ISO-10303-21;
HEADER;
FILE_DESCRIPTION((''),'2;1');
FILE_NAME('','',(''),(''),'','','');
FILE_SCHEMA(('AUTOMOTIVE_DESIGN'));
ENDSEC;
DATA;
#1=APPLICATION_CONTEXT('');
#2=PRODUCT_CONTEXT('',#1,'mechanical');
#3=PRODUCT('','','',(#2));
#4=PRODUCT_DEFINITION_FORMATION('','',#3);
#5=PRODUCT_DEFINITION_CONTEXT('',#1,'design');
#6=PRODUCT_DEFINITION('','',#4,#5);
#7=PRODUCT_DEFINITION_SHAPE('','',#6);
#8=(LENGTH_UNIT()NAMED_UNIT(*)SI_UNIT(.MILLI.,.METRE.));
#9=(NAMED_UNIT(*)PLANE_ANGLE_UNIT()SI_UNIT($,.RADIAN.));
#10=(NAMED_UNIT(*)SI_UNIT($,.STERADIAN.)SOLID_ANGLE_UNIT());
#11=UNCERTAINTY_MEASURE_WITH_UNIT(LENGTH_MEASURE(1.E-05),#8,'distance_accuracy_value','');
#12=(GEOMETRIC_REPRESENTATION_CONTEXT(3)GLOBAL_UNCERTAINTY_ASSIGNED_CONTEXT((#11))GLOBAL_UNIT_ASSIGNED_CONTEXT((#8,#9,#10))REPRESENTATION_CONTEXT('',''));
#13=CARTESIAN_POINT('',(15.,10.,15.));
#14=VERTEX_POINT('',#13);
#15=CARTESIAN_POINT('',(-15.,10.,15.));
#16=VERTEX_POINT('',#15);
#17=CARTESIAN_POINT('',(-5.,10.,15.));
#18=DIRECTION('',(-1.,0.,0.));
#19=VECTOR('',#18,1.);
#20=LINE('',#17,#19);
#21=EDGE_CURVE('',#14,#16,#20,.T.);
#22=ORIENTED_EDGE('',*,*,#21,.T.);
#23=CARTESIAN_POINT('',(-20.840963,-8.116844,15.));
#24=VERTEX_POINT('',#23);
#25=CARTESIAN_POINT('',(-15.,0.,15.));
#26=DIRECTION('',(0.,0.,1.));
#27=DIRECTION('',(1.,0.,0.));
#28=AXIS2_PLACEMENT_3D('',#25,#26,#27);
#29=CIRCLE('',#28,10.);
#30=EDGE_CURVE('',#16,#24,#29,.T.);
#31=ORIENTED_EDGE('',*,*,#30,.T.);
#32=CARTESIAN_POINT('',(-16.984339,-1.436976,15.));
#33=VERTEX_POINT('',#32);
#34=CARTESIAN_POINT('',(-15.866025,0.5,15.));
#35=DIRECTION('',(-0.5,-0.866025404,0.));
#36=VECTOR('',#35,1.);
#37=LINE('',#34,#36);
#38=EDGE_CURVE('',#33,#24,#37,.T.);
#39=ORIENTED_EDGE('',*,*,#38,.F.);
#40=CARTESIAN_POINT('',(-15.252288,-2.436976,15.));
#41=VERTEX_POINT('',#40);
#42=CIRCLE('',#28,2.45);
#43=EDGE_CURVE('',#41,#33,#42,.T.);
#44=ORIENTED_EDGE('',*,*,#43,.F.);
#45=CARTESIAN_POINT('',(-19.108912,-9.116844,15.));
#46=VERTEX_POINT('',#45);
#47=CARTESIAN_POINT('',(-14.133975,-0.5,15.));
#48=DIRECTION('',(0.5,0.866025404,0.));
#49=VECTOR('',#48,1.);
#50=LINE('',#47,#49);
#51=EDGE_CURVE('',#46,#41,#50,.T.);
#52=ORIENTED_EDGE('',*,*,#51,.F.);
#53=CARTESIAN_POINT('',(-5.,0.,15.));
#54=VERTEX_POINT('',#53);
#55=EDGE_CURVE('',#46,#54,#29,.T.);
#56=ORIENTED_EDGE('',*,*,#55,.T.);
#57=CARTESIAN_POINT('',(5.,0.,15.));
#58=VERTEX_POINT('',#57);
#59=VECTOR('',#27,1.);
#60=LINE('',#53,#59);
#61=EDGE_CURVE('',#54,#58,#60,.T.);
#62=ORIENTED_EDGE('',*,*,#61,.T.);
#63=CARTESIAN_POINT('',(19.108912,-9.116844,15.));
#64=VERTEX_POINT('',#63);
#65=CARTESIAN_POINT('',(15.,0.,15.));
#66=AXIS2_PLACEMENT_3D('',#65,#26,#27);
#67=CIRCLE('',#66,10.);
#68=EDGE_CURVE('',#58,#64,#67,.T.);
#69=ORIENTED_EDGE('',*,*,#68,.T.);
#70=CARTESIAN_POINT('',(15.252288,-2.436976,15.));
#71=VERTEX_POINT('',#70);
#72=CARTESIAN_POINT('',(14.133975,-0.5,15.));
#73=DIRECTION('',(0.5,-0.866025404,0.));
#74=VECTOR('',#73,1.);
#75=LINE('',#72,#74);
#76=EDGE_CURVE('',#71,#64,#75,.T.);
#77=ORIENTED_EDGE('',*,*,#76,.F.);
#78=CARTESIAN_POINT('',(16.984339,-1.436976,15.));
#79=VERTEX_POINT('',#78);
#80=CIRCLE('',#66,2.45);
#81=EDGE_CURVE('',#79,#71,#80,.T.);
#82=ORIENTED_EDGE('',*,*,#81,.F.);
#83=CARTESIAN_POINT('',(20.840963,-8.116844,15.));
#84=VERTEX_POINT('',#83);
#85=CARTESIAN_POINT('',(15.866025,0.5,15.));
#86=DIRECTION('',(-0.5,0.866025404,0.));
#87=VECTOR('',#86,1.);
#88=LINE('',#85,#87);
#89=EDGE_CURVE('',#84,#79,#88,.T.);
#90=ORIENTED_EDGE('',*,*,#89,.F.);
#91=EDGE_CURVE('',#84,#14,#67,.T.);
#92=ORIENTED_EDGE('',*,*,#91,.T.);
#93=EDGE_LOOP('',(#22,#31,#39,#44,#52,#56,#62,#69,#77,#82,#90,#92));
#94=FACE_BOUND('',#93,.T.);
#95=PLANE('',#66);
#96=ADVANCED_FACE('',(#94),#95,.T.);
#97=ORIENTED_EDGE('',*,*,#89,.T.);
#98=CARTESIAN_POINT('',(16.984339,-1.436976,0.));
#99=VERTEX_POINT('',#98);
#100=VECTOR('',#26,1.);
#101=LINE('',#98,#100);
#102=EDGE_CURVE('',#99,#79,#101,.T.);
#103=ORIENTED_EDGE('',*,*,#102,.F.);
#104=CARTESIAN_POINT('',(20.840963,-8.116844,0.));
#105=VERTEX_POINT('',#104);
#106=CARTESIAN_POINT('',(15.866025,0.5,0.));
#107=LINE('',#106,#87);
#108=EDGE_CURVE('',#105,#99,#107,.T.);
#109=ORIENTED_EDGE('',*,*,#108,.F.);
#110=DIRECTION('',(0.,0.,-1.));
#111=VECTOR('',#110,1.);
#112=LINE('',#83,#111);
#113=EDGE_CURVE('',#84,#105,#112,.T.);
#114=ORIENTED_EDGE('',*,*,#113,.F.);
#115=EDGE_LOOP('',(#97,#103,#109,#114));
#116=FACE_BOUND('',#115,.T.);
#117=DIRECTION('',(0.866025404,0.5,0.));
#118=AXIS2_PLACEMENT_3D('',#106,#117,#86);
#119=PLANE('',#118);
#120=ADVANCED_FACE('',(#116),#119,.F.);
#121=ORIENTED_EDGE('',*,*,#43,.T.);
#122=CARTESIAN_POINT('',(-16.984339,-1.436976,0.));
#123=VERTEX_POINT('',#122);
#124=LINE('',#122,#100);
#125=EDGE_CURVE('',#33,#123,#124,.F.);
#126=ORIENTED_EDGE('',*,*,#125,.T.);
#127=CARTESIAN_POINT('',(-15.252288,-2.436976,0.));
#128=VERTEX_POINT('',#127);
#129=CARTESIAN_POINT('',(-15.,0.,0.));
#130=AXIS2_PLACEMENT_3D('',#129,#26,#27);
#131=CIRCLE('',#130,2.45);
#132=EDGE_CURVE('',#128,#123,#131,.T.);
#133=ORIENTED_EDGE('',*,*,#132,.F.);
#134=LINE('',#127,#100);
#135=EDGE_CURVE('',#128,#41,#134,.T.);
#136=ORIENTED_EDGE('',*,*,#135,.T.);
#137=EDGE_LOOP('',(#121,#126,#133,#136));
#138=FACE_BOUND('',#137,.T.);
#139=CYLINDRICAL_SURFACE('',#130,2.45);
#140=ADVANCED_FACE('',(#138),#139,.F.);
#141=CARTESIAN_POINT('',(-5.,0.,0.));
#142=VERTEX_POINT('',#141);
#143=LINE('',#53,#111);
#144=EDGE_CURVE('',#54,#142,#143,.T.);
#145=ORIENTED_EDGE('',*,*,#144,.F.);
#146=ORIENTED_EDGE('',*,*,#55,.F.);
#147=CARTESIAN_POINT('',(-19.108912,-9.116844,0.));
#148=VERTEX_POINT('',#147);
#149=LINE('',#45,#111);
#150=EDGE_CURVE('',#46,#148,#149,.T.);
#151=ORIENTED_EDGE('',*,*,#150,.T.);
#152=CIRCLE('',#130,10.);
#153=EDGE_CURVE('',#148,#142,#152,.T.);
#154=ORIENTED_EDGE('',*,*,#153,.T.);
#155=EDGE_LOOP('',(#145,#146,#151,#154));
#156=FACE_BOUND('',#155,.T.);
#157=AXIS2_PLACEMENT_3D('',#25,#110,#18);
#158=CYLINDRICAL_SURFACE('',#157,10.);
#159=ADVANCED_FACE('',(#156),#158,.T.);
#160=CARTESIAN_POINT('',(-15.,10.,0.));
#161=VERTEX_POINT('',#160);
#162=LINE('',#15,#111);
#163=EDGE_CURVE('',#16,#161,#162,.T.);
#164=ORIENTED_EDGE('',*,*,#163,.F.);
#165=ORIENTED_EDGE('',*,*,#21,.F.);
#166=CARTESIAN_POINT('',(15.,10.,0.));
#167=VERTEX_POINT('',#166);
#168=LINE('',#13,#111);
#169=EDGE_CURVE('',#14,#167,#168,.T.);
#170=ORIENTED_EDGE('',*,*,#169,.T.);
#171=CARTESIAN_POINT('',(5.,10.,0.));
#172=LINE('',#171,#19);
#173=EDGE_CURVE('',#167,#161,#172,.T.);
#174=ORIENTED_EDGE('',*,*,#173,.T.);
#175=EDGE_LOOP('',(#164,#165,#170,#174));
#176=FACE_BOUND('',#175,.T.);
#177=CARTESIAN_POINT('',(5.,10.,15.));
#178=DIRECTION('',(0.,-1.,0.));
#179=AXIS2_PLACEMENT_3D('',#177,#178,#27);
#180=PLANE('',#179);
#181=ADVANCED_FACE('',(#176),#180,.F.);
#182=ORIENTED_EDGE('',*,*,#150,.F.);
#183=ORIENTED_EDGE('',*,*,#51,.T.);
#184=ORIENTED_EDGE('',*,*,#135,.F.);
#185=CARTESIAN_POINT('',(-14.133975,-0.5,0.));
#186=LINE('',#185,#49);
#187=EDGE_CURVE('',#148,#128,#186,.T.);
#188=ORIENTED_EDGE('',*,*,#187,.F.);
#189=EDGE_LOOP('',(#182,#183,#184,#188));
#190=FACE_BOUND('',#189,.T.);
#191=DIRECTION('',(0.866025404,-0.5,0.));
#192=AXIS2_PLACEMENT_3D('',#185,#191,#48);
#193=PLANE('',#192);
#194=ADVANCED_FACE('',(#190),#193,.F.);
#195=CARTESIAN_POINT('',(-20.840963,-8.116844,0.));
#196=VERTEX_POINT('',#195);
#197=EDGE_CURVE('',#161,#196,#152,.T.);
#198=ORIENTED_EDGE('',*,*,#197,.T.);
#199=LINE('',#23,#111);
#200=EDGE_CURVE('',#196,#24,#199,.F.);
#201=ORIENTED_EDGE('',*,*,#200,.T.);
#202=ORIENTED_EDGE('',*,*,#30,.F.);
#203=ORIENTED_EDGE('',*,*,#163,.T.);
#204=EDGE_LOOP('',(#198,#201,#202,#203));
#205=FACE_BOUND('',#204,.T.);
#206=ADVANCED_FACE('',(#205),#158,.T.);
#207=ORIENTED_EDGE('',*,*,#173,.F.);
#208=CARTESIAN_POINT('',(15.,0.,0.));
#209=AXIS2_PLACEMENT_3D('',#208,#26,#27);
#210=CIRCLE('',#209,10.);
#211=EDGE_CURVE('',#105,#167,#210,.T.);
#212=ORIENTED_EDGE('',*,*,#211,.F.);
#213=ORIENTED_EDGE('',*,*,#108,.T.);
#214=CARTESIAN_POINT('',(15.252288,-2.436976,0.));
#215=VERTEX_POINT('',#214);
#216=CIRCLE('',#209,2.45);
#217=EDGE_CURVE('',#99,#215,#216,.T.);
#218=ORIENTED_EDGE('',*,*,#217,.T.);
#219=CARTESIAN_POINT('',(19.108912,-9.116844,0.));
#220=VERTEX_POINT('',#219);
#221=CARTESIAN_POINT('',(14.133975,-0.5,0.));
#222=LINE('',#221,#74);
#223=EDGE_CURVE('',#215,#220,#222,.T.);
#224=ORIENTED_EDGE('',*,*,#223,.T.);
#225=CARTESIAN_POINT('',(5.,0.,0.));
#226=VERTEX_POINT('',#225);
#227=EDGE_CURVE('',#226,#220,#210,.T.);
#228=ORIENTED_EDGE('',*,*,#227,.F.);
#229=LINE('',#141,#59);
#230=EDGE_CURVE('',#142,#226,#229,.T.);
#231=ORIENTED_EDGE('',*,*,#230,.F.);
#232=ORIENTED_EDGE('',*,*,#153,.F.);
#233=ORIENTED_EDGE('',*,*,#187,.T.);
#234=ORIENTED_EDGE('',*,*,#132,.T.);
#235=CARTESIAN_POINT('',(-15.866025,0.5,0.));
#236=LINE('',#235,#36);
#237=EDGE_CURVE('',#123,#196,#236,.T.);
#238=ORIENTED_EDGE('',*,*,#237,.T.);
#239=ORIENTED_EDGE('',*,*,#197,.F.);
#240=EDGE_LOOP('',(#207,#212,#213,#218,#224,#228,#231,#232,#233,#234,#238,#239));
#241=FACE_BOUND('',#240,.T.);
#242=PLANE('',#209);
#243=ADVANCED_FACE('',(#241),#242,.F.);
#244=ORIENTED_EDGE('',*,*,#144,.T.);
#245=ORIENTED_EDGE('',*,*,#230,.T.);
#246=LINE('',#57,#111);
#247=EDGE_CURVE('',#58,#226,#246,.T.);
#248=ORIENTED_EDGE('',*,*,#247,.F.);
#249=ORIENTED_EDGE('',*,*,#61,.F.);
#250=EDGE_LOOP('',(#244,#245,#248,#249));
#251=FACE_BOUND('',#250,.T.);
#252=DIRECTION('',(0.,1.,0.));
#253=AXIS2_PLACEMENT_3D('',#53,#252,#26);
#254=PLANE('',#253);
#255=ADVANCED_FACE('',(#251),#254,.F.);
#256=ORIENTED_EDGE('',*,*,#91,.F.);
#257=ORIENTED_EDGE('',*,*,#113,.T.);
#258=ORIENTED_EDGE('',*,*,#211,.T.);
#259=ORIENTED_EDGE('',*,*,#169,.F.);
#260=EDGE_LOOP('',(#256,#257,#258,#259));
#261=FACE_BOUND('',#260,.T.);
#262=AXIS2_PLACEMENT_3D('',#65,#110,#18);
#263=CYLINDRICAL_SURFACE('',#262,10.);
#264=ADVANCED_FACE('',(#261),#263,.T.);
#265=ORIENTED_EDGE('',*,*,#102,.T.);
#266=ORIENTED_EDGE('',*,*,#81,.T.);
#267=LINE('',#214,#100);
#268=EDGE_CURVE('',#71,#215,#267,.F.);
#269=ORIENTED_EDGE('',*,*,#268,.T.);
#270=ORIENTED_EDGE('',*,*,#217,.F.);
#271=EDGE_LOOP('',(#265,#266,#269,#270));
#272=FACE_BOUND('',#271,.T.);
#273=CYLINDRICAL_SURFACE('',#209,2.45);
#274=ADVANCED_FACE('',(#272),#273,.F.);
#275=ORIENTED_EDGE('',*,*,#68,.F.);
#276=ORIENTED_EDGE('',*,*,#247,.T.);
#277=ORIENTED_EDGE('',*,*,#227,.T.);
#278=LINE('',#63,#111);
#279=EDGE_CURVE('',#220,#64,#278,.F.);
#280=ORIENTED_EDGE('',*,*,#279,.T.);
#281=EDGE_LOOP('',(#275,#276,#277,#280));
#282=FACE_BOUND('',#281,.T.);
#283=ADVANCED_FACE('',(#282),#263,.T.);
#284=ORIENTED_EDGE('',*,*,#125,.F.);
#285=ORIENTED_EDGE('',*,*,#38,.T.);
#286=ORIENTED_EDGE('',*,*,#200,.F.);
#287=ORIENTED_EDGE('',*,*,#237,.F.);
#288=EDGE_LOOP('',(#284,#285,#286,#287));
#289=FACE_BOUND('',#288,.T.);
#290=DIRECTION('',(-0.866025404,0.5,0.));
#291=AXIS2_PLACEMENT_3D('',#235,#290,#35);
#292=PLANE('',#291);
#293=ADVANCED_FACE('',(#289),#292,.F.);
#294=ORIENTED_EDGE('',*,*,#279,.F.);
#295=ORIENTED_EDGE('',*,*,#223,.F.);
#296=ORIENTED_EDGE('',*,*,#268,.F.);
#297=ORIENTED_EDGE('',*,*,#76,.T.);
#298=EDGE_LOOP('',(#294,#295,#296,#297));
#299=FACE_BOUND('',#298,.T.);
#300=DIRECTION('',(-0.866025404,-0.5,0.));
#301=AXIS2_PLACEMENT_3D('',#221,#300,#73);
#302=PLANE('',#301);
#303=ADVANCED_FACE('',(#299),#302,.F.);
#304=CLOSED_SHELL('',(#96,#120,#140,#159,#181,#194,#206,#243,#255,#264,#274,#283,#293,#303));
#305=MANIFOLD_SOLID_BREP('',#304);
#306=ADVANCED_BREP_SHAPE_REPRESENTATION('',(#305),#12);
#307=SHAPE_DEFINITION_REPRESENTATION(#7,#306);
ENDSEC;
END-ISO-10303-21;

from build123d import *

# Parameters (mm, degrees)
BOSS_EXTRUDE1_DEPTH = 15
SKETCH3_R           = 2.45
CUT_EXTRUDE1_DEPTH  = 31.822070015
CUT_EXTRUDE2_DEPTH  = 31.822070015


with BuildPart() as part:
    # Sketch2 → Boss-Extrude1 (new body)
    with BuildSketch(Plane.XY):
        with BuildLine():
            Line((-5, 10), (-15, 10))
            ThreePointArc((-15, 10), (-22.071067812, -7.071067812), (-5, 0))
            Line((-5, 0), (5, 0))
            ThreePointArc((5, 0), (22.071067812, -7.071067812), (15, 10))
            Line((15, 10), (5, 10))
            Line((5, 10), (-5, 10))
        make_face()
    extrude(amount=BOSS_EXTRUDE1_DEPTH)

    # Sketch3 → Cut-Extrude1 (cut, through all)
    with BuildSketch(Plane.XY.offset(15)):
        with Locations((-15, 0)):
            Circle(SKETCH3_R)
        with Locations((15, 0)):
            Circle(SKETCH3_R)
    extrude(amount=-CUT_EXTRUDE1_DEPTH, mode=Mode.SUBTRACT)

    # Sketch4 → Cut-Extrude2 (cut, through all)
    with BuildSketch(Plane.XY.offset(15)):
        Polygon((-14.133974596, -0.5), (-15.866025404, 0.5), (-20.866025404, -8.160254038), (-19.133974596, -9.160254038), align=None)
        Polygon((14.133974596, -0.5), (15.866025404, 0.5), (20.866025404, -8.160254038), (19.133974596, -9.160254038), align=None)
    extrude(amount=-CUT_EXTRUDE2_DEPTH, mode=Mode.SUBTRACT)


solid = part.part
